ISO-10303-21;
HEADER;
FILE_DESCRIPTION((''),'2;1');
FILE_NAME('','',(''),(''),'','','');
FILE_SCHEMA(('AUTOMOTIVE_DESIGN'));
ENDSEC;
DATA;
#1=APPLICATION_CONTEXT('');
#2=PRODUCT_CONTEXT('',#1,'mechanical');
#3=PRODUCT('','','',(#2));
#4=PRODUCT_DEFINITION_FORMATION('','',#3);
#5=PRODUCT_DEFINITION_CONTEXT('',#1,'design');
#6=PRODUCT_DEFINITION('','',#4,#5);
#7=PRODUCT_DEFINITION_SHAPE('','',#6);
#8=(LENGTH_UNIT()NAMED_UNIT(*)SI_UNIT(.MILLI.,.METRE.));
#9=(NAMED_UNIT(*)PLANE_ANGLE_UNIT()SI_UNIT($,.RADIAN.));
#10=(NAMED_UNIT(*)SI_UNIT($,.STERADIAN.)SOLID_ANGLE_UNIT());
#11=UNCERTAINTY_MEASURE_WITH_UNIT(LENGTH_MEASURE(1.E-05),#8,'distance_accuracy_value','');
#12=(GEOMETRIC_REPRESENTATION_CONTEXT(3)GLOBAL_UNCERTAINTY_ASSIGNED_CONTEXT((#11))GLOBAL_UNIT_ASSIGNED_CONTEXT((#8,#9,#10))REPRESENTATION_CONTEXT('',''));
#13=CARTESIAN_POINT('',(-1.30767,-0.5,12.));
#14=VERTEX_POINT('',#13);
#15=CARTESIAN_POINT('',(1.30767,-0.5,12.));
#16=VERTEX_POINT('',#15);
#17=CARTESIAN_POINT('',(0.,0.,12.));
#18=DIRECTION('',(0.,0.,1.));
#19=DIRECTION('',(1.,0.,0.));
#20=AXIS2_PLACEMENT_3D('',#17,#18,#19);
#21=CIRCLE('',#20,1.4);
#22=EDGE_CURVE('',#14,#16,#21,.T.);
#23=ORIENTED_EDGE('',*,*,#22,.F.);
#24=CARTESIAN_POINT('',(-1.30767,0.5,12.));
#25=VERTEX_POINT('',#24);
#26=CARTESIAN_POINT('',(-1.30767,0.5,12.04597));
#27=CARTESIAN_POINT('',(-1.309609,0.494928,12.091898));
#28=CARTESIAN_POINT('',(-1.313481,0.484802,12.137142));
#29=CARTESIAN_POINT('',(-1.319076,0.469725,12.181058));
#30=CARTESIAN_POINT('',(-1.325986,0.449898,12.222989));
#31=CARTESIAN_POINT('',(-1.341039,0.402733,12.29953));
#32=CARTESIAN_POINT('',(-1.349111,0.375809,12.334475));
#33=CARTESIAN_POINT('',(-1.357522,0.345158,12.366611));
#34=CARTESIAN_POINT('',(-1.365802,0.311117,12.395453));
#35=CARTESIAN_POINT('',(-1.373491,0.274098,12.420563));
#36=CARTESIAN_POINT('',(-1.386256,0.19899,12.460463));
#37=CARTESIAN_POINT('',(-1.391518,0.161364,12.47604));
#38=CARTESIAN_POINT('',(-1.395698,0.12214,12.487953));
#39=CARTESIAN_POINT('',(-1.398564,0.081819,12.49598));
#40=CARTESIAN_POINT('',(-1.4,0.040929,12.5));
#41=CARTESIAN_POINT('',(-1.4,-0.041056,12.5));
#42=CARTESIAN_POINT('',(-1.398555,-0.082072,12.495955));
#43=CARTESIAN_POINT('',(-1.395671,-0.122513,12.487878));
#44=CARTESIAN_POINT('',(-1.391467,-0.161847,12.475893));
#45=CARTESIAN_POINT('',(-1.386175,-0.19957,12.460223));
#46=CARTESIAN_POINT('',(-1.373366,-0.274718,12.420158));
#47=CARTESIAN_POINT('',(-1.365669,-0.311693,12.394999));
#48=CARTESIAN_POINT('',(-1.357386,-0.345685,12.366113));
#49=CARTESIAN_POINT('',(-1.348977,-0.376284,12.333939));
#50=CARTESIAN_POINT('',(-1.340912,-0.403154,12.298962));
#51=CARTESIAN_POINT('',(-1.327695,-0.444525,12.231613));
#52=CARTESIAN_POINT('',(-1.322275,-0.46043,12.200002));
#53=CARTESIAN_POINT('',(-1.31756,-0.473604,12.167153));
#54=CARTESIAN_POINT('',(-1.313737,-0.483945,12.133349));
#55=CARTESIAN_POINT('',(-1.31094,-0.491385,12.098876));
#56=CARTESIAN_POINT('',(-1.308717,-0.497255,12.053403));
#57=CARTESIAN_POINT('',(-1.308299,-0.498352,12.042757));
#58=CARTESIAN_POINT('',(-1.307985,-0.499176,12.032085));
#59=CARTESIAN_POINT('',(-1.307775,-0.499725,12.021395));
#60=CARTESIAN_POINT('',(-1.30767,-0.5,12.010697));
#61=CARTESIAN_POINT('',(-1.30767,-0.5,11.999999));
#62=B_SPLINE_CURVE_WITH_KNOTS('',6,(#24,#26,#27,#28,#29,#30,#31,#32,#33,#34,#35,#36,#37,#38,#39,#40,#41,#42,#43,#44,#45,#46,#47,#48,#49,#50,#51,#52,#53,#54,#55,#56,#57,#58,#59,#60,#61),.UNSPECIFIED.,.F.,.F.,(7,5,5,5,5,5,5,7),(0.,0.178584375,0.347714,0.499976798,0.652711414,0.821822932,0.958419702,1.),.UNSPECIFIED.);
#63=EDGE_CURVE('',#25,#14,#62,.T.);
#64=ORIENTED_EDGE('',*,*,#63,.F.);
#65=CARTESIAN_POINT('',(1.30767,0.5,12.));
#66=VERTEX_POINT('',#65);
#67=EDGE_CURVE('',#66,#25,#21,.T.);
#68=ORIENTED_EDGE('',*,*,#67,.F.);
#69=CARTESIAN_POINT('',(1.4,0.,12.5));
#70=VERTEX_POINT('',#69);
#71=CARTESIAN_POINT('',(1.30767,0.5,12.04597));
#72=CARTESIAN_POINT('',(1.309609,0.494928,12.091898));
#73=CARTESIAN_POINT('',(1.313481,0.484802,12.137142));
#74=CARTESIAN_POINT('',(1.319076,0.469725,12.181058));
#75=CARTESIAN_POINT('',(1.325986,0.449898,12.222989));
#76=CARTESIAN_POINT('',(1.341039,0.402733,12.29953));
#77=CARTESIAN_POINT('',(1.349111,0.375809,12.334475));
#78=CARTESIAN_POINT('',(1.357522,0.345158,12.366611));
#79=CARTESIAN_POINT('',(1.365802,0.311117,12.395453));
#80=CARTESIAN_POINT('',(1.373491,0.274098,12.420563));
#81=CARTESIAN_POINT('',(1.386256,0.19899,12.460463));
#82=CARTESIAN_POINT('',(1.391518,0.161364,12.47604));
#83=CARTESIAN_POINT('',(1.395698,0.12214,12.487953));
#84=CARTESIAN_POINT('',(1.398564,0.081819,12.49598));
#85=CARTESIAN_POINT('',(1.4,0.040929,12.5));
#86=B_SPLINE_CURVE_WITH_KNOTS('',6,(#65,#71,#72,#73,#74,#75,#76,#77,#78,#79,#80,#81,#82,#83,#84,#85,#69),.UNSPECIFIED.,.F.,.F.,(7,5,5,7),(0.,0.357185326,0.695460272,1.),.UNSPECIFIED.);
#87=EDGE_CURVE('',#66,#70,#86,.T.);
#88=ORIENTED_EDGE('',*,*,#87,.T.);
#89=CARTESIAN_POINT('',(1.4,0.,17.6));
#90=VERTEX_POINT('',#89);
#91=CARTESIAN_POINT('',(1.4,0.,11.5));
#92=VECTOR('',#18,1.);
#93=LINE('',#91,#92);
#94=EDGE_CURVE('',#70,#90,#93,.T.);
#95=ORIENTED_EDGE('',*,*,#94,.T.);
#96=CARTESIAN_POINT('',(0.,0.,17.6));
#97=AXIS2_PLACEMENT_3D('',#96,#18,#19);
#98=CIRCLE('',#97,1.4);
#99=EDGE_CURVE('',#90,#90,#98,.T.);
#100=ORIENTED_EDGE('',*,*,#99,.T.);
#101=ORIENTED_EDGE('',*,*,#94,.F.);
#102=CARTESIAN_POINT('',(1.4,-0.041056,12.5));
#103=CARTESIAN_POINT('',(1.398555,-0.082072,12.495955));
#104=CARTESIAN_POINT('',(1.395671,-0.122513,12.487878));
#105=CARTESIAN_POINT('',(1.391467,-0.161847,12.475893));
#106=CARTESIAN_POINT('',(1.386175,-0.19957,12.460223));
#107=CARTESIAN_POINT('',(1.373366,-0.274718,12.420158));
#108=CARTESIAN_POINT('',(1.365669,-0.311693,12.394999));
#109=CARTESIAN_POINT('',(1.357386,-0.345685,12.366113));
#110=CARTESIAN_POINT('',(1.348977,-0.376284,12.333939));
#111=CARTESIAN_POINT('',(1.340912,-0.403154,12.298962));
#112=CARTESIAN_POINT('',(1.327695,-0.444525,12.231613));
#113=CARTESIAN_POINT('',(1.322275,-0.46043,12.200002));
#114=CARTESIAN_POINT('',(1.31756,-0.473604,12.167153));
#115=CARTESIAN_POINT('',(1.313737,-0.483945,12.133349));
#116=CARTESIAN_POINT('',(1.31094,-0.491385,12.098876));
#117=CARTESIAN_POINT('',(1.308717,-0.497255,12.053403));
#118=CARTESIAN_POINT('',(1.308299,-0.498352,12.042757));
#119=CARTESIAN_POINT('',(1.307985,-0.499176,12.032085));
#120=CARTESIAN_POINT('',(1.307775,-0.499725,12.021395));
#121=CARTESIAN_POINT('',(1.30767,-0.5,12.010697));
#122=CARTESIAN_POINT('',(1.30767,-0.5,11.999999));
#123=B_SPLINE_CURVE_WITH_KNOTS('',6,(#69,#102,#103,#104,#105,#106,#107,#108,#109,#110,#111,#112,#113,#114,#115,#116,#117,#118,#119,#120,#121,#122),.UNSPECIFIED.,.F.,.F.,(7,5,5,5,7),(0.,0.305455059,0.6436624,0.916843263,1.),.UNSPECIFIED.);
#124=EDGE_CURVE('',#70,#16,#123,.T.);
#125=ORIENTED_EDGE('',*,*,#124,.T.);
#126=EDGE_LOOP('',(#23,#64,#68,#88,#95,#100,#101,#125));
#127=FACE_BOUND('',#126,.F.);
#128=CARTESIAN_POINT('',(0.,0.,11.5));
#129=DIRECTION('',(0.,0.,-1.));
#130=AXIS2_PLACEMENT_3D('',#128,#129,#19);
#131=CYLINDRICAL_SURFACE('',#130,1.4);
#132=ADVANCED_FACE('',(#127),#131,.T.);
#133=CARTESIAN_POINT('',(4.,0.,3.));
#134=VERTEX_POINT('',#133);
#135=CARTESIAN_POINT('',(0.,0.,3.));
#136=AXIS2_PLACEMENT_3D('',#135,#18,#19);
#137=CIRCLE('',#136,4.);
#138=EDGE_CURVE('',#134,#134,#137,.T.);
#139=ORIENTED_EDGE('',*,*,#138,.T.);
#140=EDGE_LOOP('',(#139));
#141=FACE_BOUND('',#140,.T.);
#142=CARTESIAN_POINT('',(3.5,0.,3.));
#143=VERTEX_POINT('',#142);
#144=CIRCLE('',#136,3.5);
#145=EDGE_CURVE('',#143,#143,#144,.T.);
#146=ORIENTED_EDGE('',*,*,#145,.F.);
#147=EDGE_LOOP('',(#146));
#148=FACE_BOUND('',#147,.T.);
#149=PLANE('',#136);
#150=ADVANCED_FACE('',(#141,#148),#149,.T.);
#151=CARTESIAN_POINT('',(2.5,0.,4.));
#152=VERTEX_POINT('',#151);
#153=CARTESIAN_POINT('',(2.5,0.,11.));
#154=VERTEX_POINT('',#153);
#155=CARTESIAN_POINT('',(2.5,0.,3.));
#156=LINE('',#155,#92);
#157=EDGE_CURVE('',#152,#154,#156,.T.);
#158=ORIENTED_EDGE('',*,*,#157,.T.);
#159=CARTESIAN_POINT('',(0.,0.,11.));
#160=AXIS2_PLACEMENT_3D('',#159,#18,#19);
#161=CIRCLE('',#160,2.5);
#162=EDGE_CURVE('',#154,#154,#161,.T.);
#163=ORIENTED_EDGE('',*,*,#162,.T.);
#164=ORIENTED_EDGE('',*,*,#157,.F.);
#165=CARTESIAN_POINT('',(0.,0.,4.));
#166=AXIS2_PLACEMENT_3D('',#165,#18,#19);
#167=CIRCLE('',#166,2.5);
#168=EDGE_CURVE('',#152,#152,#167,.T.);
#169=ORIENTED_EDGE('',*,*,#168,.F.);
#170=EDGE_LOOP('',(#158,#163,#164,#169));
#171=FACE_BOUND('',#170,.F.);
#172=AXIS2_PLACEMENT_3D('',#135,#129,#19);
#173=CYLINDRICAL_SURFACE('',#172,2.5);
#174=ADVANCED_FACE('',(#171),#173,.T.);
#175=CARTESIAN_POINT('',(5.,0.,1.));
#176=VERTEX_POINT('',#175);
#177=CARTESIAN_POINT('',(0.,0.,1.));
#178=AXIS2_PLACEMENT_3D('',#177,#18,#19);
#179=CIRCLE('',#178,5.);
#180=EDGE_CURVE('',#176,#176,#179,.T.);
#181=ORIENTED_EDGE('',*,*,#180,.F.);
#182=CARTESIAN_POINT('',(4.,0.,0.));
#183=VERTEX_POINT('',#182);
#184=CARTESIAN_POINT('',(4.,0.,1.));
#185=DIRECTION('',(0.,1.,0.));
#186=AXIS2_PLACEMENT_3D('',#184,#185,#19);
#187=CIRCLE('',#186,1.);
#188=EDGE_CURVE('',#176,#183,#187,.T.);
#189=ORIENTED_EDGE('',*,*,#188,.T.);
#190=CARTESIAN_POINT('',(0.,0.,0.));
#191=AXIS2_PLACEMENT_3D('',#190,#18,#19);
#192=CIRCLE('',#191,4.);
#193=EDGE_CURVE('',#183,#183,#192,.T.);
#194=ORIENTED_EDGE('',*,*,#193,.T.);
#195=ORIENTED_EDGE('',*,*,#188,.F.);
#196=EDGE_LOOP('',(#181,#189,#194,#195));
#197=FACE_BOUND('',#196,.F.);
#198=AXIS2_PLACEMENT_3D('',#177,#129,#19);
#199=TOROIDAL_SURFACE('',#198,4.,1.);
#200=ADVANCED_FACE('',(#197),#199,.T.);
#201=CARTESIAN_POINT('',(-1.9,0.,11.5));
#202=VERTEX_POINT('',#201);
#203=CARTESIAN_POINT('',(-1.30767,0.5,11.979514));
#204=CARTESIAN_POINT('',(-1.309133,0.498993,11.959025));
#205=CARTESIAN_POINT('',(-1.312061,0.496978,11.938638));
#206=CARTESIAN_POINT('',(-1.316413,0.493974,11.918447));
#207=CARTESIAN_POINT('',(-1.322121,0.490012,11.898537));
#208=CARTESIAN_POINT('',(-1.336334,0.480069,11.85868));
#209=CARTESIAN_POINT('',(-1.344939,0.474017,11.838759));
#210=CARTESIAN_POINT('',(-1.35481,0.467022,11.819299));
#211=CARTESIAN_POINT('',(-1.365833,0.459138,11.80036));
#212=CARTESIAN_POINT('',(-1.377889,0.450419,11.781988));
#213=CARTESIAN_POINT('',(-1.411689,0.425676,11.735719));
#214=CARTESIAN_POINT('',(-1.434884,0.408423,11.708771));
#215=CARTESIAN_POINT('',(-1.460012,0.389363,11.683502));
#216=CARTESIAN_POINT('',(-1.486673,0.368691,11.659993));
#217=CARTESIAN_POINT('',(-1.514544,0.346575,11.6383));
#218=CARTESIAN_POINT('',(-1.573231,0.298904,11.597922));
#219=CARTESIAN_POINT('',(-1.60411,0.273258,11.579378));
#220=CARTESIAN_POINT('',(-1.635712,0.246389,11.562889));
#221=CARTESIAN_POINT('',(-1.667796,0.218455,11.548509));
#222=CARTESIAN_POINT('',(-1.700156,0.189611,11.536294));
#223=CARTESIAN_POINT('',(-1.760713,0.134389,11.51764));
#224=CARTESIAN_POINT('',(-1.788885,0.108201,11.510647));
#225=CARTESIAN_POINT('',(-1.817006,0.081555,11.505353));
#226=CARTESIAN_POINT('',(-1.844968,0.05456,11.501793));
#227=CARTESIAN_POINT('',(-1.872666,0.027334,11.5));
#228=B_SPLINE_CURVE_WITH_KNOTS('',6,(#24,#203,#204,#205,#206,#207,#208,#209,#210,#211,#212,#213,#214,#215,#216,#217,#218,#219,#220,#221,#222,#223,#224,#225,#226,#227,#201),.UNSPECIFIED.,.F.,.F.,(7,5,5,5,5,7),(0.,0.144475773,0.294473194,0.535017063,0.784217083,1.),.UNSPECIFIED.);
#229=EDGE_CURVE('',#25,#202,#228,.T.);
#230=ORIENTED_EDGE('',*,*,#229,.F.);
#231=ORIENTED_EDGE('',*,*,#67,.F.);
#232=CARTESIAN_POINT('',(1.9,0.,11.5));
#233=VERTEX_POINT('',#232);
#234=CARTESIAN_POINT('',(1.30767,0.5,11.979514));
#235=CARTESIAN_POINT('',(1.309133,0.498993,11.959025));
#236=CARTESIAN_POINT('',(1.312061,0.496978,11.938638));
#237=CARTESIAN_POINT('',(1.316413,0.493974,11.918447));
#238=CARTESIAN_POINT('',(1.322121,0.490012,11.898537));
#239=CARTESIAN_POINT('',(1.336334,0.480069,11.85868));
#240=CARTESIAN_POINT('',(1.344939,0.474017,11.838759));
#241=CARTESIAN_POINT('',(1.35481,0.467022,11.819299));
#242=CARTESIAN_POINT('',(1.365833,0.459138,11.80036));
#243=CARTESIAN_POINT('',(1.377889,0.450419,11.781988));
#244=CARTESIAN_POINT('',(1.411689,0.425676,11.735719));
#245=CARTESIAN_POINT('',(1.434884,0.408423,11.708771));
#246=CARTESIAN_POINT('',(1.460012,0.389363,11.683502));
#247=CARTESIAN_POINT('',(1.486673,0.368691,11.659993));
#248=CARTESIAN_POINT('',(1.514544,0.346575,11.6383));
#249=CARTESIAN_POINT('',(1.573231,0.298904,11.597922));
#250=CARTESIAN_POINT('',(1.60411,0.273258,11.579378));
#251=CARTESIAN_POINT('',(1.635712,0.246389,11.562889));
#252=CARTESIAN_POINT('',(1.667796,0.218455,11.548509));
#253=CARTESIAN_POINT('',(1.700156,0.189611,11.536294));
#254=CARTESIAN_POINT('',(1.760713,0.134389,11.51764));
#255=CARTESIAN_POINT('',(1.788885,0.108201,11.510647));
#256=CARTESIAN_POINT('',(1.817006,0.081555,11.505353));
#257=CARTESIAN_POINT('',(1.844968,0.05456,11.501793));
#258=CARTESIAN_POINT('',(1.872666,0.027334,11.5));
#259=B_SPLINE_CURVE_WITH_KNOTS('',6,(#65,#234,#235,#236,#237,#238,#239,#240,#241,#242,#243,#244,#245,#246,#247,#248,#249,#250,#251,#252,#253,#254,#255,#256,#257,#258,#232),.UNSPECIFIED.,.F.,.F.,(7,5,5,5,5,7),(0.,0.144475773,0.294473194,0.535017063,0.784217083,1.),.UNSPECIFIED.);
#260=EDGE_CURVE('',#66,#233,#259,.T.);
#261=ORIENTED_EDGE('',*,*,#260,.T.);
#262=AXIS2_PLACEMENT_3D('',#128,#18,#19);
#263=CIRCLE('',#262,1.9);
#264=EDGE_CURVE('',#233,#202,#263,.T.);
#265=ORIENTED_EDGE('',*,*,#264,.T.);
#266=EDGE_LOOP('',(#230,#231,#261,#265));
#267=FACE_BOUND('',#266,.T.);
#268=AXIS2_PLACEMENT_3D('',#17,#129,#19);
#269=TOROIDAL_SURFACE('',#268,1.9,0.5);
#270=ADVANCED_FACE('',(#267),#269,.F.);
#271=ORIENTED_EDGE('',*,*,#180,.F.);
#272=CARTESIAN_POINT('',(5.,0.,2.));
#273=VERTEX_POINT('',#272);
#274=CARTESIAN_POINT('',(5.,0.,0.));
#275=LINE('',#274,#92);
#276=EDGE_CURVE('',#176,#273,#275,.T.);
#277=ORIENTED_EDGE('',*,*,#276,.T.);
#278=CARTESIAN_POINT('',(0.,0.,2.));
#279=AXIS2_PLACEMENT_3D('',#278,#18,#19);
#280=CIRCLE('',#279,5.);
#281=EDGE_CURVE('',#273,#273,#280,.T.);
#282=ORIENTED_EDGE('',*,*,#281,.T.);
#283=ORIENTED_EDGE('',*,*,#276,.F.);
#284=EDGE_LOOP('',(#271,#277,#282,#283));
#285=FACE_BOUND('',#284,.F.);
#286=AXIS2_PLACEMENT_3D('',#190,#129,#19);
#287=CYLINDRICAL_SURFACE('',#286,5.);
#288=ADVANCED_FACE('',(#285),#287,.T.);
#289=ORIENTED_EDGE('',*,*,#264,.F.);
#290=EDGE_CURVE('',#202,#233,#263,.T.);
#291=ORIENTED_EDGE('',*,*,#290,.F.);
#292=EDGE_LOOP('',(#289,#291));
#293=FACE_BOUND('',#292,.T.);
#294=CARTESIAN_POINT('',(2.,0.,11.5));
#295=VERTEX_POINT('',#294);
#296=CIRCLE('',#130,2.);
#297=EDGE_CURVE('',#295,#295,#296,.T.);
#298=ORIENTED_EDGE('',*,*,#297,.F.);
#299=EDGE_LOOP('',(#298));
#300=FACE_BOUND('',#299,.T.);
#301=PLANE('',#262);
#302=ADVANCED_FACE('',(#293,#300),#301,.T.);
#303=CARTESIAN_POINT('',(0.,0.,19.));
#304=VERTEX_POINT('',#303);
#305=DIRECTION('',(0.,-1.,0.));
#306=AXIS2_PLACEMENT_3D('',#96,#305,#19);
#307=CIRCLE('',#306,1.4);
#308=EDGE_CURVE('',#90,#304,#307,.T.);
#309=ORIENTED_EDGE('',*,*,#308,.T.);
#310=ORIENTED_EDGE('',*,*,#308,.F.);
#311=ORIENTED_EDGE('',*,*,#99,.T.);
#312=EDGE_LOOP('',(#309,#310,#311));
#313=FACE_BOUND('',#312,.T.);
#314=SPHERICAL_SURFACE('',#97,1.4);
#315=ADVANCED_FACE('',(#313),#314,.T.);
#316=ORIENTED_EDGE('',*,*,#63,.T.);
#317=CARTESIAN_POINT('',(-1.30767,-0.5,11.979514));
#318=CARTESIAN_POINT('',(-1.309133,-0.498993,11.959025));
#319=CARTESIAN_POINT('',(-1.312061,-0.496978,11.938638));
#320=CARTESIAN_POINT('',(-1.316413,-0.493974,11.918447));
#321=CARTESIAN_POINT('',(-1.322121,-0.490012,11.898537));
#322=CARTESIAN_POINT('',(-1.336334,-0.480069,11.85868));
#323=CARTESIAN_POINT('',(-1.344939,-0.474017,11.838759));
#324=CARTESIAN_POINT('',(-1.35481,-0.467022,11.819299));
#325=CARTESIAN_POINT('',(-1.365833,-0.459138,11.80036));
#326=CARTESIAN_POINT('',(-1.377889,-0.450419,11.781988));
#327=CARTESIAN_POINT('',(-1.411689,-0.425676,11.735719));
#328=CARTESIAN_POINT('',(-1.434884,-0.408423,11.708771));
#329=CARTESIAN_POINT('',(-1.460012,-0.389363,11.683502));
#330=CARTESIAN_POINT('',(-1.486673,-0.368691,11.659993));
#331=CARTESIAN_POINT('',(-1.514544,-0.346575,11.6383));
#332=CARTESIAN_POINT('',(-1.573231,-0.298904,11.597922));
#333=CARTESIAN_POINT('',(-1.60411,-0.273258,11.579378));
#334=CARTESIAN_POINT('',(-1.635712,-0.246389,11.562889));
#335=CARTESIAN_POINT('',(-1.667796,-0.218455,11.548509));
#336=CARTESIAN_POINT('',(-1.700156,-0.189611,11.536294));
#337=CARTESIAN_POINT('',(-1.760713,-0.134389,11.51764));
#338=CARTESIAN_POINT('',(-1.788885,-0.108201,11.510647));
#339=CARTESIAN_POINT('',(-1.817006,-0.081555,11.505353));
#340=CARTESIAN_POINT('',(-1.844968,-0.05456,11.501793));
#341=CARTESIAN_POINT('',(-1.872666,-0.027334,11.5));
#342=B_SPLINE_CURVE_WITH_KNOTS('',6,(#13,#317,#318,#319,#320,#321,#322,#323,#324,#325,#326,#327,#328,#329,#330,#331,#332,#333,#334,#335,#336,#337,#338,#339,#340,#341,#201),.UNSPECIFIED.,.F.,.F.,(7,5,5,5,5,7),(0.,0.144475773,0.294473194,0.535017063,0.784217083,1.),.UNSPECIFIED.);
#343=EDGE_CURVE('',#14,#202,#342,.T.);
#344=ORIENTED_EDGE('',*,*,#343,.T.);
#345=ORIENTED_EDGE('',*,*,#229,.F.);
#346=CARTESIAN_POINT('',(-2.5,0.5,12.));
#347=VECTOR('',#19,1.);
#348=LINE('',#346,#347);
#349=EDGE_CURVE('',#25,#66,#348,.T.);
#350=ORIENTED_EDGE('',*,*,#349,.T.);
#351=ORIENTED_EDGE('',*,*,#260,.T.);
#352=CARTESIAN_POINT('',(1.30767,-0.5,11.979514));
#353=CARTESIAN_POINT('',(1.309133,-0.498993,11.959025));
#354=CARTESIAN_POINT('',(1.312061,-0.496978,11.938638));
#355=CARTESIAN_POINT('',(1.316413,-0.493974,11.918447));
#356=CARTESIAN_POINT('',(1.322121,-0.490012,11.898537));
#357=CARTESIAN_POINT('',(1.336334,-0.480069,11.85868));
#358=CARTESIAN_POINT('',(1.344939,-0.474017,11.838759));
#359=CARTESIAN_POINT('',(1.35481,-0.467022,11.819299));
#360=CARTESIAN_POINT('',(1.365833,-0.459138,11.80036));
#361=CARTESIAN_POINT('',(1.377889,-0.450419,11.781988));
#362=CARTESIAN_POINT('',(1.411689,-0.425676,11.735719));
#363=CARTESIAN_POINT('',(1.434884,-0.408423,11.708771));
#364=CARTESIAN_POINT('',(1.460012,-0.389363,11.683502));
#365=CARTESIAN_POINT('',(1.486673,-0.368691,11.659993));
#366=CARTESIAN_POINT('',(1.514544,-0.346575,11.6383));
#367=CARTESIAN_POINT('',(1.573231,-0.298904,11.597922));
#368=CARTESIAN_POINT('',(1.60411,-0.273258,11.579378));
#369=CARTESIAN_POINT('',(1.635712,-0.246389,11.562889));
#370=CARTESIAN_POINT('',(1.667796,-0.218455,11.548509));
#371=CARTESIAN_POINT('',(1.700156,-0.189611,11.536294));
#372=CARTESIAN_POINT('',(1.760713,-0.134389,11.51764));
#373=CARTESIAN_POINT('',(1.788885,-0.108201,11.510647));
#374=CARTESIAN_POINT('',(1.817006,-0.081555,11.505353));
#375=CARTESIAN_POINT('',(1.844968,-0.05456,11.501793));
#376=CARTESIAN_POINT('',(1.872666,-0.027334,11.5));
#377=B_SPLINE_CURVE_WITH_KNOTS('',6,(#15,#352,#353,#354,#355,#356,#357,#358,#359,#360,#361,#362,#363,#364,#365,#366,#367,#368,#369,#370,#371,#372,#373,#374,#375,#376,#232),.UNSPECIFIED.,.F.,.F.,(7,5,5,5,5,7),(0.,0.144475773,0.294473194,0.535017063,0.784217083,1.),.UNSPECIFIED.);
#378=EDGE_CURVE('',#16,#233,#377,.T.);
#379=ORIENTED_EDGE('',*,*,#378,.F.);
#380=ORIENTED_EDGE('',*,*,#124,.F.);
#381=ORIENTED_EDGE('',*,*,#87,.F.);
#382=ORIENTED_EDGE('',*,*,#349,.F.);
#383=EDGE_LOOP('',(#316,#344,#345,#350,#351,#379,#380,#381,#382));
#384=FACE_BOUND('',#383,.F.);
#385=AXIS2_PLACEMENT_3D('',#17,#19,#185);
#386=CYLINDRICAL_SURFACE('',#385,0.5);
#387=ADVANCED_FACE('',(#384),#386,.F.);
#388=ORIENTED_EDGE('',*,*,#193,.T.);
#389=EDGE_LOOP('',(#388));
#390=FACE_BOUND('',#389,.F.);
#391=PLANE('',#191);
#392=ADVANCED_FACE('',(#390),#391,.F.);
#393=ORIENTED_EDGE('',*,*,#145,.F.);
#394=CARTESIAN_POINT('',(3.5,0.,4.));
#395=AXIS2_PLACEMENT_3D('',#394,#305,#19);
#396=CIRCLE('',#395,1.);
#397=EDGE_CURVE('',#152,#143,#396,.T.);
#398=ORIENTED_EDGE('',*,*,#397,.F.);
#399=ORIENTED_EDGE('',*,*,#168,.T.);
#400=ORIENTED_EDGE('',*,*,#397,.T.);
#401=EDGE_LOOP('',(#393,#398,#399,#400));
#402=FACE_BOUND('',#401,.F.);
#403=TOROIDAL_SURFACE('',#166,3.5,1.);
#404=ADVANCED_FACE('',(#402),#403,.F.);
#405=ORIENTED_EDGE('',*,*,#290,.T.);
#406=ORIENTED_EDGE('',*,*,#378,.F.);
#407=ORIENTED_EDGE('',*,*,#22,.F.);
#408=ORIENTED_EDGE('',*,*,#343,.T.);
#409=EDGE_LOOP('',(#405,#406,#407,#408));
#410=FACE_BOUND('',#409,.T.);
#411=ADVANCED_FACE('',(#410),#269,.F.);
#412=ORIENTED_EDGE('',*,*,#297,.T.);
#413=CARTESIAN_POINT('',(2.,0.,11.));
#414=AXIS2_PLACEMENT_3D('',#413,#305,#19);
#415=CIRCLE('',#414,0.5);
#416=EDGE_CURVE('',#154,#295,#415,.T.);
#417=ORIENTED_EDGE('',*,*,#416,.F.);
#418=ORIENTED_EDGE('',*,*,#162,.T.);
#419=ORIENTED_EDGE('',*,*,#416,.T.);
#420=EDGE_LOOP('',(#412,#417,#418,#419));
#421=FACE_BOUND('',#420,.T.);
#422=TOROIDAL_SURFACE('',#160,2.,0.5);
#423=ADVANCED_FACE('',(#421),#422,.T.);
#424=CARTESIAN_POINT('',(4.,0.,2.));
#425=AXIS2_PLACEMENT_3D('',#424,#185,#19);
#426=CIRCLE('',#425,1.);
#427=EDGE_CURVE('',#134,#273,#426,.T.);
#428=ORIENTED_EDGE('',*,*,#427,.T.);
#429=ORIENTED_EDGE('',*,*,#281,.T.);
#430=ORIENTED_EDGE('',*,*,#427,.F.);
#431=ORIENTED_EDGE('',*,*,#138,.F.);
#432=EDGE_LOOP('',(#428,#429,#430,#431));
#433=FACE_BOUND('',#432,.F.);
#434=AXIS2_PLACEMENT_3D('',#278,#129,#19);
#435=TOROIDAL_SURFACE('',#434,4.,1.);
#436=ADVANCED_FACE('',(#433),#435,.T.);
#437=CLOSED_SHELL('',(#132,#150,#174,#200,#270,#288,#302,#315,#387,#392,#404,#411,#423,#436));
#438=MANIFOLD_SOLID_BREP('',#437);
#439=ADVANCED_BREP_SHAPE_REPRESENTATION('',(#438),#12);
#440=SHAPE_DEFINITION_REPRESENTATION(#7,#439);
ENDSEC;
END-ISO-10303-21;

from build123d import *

# Parameters (mm, degrees)
F0_R      = 5
F1_DEPTH  = 3
F2_R      = 2.5
F3_DEPTH  = 8.5
F4_R      = 1.4
F5_DEPTH  = 7.5
F6_R      = 1.4
F7_R      = 1
F8_R      = 0.5
F9_R      = 0.5
F10_DEPTH = 2.5


with BuildPart() as f1:
    # F0 (on Top) → F1 (new body)
    with BuildSketch(Plane.XY):
        Circle(F0_R)
    extrude(amount=F1_DEPTH)

    # F2 (on face) → F3 (join)
    with BuildSketch(Plane.XY.offset(3)):
        Circle(F2_R)
    extrude(amount=F3_DEPTH)

    # F4 (on face) → F5 (join)
    with BuildSketch(Plane.XY.offset(11.5)):
        Circle(F4_R)
    extrude(amount=F5_DEPTH)

    # F6
    f6_edges = [f1.edges().sort_by_distance(p)[0] for p in [
        (-1.4, 0, 19),
    ]]
    fillet(f6_edges, radius=F6_R)

    # F7
    f7_edges = [f1.edges().sort_by_distance(p)[0] for p in [
        (-2.5, 0, 3),
        (-5, 0, 0),
        (-5, 0, 3),
    ]]
    fillet(f7_edges, radius=F7_R)

    # F8
    f8_edges = [f1.edges().sort_by_distance(p)[0] for p in [
        (-1.4, 0, 11.5),
        (-2.5, 0, 11.5),
    ]]
    fillet(f8_edges, radius=F8_R)

    # F9 (on Right) → F10 (cut, symmetric)
    with BuildSketch(Plane.YZ):
        with Locations((0, 12)):
            Circle(F9_R)
    extrude(amount=F10_DEPTH, both=True, mode=Mode.SUBTRACT)


solid = f1.part
